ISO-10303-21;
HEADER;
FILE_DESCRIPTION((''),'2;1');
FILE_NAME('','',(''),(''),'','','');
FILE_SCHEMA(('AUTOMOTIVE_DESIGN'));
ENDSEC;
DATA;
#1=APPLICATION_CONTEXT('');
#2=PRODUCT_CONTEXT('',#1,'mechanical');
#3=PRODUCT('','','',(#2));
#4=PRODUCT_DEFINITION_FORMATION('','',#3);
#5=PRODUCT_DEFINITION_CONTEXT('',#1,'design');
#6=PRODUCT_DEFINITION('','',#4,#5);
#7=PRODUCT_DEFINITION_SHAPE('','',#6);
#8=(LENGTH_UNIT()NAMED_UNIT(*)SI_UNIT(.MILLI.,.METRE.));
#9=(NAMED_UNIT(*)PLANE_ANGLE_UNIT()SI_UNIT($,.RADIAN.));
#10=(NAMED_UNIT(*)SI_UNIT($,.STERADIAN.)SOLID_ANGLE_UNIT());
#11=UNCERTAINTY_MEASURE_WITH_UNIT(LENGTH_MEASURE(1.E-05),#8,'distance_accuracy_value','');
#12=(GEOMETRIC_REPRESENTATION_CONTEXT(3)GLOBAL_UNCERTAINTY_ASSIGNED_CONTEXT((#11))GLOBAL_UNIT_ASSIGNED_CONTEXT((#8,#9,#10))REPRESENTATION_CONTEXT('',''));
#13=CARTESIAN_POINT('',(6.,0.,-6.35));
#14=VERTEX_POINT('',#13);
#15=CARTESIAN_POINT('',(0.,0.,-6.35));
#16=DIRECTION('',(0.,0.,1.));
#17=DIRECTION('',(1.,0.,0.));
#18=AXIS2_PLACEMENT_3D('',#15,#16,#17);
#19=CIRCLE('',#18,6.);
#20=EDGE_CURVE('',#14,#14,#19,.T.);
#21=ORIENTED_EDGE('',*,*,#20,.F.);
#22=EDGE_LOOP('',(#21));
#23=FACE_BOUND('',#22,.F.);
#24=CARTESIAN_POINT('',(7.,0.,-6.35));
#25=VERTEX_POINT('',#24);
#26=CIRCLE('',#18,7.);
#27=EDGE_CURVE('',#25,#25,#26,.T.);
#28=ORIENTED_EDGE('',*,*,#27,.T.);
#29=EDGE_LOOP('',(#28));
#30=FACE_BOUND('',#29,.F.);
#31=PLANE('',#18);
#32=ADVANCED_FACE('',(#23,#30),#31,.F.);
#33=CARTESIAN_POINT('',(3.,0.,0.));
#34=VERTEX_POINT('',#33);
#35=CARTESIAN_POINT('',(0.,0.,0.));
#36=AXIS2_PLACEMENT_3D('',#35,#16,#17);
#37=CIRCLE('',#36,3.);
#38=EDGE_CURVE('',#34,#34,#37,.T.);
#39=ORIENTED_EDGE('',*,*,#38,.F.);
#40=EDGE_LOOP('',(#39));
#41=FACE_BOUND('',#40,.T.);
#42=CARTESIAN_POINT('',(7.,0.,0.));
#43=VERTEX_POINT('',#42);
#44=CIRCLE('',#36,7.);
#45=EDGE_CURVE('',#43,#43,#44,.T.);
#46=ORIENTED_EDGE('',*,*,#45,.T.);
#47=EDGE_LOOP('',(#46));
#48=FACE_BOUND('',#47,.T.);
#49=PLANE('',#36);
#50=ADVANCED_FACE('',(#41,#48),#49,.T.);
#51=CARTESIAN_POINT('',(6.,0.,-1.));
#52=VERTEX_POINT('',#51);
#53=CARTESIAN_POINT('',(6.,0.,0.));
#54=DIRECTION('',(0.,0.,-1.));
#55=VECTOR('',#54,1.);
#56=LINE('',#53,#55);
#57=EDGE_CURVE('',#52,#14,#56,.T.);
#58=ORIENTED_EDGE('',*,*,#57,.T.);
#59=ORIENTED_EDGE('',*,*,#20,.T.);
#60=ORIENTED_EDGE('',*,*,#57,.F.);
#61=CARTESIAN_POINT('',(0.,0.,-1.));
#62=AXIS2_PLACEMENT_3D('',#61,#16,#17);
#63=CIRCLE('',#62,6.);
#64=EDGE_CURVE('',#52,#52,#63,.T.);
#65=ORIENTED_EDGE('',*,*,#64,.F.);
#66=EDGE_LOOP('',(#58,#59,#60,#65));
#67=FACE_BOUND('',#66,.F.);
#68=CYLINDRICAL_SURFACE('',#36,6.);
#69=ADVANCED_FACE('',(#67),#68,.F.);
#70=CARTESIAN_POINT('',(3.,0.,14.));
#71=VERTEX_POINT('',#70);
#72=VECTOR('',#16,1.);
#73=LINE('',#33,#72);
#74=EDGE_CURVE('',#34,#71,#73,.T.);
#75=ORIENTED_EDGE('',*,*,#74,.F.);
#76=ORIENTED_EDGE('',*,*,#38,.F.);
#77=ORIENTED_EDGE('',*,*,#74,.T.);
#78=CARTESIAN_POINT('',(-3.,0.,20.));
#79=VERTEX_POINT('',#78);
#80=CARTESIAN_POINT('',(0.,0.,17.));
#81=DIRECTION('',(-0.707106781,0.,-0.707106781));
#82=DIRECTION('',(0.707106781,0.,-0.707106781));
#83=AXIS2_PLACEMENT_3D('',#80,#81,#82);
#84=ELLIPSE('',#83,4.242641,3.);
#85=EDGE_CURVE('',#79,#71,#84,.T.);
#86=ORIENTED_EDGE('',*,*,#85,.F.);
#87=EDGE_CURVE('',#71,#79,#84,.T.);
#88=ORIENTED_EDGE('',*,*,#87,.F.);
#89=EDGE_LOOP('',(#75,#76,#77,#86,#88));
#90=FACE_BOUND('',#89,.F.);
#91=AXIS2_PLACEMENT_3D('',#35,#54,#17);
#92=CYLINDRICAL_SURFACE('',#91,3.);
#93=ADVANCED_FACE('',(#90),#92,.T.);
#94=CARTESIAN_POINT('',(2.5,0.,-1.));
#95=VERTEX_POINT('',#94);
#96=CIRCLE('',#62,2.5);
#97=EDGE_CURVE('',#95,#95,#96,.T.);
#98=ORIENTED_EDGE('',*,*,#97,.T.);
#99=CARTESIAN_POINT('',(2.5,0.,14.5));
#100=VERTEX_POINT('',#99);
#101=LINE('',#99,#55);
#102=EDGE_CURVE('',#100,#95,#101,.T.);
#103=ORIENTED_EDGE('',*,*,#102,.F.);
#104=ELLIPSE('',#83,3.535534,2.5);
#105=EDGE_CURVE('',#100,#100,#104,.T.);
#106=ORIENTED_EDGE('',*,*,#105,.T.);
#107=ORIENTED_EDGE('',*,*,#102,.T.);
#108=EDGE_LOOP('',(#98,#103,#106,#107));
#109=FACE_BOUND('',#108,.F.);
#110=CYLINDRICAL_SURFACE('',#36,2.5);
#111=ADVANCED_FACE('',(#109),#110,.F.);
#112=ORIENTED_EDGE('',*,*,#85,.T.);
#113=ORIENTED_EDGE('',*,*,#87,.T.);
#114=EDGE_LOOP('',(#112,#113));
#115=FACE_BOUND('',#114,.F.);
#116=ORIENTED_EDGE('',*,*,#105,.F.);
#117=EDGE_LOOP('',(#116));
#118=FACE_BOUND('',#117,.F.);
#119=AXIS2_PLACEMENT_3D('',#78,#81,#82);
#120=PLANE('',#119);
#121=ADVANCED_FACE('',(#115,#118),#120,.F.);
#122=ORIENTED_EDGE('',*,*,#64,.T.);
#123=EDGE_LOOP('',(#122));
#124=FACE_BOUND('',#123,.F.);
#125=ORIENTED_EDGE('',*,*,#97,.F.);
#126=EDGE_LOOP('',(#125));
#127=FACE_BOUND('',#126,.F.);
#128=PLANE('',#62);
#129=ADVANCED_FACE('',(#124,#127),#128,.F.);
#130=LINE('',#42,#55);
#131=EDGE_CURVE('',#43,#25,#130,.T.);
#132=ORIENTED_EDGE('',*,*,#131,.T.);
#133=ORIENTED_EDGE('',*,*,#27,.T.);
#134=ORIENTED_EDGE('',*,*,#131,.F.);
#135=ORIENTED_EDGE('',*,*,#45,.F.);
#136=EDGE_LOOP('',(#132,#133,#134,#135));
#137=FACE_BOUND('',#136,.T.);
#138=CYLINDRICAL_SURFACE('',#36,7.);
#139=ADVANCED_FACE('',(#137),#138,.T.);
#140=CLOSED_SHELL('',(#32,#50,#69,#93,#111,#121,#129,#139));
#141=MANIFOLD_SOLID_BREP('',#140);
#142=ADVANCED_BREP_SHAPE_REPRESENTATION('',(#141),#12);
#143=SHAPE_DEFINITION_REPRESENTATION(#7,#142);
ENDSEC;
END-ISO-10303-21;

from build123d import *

# Parameters (mm, degrees)
F0_R     = 3
F0_R_2   = 2.5
F1_DEPTH = 20
F2_R     = 7
F2_R_2   = 6
F3_DEPTH = 6.35
F4_R     = 6
F4_R_2   = 2.5
F5_DEPTH = 1
F7_DEPTH = 12.7


with BuildPart() as f1:
    # F0 (on Top) → F1 (new body)
    with BuildSketch(Plane.XY):
        Circle(F0_R)
        Circle(F0_R_2, mode=Mode.SUBTRACT)
    extrude(amount=F1_DEPTH)



with BuildPart() as f3:
    # F2 (on Top) → F3 (new body)
    with BuildSketch(Plane.XY):
        Circle(F2_R)
        Circle(F2_R_2, mode=Mode.SUBTRACT)
    extrude(amount=-F3_DEPTH)


with BuildPart() as f1_1:
    add(f1.part)

    add(f3.part)  # F5 merges F3
    # F4 (on Top) → F5 (join)
    with BuildSketch(Plane.XY):
        Circle(F4_R)
        Circle(F4_R_2, mode=Mode.SUBTRACT)
    extrude(amount=-F5_DEPTH)

    # F6 (on Front) → F7 (cut, symmetric)
    with BuildSketch(Plane.XZ):
        Polygon((3, 20), (-3, 20), (3, 14), align=None)
    extrude(amount=F7_DEPTH, both=True, mode=Mode.SUBTRACT)


solid = f1_1.part
